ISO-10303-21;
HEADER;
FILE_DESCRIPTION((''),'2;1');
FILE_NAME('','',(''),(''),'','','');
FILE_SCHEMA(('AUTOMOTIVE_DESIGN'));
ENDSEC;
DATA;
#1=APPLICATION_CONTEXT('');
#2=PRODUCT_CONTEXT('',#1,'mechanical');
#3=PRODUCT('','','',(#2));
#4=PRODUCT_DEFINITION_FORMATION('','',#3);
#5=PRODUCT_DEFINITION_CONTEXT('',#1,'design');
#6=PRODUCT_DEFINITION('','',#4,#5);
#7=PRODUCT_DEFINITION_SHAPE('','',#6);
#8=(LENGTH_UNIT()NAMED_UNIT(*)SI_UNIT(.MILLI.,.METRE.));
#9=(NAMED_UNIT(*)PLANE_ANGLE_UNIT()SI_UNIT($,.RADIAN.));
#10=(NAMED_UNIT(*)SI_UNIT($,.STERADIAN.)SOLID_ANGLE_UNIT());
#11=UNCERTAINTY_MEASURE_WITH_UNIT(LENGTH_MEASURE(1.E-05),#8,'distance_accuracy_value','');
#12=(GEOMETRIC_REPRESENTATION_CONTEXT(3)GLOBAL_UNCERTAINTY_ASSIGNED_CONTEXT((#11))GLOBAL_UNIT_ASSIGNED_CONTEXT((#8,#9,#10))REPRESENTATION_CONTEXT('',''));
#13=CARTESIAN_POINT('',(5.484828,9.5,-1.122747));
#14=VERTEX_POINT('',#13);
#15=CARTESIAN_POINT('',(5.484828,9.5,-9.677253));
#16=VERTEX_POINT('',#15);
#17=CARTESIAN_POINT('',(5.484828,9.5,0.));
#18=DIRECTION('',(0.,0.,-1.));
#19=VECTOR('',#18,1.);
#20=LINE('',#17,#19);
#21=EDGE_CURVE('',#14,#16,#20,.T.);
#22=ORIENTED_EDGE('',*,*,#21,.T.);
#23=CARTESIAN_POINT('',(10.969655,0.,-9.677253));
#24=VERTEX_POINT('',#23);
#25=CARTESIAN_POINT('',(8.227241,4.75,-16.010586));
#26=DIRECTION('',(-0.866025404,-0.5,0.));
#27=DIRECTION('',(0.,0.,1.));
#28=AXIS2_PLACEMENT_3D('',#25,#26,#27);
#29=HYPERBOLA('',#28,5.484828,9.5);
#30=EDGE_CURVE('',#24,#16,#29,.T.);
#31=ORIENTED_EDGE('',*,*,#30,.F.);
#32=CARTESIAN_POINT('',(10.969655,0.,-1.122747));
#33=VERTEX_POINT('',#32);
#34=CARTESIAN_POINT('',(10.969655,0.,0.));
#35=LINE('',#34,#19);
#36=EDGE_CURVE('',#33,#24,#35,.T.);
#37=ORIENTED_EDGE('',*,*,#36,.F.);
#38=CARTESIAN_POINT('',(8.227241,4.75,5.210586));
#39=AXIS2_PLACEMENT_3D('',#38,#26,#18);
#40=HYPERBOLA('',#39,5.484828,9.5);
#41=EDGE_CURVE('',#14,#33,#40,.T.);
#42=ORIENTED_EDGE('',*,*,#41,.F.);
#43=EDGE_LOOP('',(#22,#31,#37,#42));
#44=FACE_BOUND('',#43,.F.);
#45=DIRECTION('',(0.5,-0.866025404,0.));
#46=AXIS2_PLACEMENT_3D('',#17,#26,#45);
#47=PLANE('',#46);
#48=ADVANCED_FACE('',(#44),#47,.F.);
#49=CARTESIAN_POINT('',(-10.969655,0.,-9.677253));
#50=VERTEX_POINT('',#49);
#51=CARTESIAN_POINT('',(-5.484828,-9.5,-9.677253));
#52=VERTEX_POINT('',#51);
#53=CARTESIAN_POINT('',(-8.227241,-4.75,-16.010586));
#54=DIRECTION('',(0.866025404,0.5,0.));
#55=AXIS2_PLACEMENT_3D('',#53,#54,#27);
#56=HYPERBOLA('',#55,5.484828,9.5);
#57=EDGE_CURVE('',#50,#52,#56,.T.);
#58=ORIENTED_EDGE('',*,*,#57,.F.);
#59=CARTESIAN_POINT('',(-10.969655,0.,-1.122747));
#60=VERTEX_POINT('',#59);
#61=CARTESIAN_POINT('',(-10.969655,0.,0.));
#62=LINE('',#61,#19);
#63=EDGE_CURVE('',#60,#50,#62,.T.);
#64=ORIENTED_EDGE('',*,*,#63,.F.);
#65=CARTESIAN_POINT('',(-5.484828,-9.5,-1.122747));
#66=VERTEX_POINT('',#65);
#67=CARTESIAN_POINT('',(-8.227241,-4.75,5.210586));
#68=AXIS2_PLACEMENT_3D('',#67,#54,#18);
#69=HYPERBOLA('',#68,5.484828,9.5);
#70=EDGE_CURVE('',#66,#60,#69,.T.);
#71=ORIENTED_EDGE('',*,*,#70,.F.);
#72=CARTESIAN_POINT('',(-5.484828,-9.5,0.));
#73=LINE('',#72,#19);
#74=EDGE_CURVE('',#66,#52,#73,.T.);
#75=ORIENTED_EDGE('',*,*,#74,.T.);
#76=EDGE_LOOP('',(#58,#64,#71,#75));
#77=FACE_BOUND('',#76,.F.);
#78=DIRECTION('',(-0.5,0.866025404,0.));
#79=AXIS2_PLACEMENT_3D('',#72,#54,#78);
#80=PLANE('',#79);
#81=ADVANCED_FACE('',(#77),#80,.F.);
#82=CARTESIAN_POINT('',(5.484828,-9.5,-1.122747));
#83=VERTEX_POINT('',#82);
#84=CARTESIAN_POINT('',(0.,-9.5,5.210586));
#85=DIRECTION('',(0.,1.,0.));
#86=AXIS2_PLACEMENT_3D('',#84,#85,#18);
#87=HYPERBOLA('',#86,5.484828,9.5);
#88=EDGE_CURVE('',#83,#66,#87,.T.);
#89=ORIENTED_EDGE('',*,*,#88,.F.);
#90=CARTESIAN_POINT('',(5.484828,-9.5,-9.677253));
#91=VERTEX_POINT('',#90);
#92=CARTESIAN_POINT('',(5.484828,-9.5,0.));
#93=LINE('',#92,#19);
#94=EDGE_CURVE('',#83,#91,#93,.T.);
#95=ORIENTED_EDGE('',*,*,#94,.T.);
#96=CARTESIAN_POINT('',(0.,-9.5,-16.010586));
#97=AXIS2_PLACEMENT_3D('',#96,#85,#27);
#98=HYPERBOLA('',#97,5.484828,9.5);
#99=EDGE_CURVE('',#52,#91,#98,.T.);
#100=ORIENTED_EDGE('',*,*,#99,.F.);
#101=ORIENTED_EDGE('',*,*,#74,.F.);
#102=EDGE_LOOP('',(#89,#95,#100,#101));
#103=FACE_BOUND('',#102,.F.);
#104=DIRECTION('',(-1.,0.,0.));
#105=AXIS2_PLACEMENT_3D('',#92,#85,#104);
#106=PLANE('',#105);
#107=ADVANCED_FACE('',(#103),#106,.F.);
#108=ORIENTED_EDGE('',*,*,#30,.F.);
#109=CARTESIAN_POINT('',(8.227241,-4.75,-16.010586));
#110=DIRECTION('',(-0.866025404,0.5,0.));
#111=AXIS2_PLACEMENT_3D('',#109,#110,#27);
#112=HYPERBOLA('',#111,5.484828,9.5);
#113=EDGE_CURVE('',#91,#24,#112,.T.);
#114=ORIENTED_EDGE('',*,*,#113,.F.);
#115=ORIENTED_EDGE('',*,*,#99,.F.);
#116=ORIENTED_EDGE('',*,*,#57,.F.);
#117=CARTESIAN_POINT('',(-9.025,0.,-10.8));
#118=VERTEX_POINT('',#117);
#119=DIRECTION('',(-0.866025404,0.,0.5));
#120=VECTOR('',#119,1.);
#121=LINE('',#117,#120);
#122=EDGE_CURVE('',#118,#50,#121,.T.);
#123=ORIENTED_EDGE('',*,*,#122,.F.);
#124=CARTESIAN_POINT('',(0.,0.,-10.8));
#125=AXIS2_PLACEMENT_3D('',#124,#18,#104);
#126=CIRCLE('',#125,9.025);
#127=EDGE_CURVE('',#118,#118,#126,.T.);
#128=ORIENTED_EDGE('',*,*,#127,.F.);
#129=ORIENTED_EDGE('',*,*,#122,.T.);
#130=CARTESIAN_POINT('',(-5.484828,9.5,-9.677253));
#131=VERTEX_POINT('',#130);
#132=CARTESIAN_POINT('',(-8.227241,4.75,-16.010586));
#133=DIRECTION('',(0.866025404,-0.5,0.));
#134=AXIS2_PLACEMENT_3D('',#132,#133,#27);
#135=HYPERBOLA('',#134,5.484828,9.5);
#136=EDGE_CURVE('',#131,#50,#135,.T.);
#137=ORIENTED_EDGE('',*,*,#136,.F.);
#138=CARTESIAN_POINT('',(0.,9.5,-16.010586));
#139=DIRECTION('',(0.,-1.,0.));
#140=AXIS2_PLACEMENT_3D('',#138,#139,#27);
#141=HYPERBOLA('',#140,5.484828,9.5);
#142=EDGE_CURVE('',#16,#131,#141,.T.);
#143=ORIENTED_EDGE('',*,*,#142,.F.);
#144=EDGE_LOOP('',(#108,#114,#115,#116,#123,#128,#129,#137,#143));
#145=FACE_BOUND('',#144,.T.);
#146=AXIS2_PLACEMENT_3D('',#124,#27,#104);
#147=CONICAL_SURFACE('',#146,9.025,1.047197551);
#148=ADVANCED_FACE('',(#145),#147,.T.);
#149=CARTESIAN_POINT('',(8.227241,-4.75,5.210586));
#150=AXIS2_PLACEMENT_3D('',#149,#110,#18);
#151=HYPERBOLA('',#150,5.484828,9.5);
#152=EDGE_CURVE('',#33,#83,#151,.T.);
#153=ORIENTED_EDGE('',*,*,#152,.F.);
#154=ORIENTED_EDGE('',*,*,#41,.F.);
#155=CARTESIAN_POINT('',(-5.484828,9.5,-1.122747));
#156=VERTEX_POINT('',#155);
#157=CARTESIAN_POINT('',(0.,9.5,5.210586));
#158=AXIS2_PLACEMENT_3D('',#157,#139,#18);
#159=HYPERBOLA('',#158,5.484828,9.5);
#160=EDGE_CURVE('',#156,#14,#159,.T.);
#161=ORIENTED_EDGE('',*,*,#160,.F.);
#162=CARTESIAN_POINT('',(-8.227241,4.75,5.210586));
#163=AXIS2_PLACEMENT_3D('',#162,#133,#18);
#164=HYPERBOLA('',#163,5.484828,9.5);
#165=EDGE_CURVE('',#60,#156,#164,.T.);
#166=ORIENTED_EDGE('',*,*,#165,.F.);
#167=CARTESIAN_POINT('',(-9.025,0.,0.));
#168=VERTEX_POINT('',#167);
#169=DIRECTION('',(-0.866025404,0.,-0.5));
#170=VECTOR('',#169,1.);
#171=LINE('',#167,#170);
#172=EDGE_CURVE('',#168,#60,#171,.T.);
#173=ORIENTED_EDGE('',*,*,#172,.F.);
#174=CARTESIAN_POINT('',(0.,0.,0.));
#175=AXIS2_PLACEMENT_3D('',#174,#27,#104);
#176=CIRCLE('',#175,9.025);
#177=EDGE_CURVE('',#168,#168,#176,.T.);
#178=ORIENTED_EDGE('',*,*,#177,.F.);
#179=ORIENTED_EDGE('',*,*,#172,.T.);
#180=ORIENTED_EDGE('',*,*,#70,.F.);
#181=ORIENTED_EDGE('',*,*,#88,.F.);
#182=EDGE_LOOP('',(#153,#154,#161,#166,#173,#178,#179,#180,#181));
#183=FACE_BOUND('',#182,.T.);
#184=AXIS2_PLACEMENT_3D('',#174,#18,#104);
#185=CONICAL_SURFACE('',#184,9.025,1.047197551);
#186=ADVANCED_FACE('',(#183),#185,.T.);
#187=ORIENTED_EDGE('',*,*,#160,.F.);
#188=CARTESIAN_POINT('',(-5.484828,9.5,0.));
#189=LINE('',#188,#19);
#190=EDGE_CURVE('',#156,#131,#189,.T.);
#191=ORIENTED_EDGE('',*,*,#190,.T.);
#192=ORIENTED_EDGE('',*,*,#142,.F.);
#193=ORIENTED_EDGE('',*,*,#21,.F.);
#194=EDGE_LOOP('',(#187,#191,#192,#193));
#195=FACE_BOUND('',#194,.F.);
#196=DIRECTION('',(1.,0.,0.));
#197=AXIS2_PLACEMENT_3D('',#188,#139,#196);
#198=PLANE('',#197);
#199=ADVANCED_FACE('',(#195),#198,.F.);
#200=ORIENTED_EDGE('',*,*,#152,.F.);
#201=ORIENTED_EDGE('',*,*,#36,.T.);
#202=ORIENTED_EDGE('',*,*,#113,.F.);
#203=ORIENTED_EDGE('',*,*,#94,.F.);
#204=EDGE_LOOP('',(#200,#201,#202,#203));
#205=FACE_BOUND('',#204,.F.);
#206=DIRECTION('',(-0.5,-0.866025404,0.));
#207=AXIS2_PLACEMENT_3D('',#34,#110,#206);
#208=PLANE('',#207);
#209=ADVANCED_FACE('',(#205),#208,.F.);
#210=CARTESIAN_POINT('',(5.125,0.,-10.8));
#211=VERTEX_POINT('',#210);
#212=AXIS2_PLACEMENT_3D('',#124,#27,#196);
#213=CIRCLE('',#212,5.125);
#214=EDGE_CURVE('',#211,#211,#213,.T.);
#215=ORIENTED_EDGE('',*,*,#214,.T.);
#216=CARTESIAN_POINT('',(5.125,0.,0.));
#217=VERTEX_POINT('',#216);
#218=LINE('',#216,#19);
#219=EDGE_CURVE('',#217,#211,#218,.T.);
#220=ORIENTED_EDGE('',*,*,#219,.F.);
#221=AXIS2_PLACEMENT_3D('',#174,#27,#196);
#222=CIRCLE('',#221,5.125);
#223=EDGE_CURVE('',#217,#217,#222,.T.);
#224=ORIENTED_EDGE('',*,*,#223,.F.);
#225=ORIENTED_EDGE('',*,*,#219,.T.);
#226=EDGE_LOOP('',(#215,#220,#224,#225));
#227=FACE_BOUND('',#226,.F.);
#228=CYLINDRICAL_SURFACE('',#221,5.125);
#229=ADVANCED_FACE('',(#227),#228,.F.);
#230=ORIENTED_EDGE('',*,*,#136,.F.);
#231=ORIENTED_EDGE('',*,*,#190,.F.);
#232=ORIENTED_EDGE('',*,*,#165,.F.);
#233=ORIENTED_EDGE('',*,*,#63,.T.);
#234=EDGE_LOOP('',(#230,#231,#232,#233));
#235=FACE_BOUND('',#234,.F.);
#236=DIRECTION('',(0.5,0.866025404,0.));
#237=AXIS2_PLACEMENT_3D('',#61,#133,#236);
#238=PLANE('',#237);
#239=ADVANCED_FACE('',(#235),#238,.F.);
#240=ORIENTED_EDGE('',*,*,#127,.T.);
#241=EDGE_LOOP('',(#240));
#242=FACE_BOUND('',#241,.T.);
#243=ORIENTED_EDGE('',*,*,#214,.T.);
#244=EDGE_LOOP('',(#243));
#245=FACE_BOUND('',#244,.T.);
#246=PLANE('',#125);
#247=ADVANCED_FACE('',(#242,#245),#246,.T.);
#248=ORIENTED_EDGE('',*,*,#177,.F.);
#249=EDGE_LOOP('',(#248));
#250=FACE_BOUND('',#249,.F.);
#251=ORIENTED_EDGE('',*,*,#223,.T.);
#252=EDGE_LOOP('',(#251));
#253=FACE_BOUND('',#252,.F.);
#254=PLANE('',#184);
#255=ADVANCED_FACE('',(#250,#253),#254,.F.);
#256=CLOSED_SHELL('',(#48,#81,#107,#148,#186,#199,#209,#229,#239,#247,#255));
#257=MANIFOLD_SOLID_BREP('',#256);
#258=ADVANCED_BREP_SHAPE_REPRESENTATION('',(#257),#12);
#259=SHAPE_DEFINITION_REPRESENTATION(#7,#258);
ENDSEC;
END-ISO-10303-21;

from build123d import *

# Parameters (mm, degrees)
BASENUTSKE_R            = 5.125
BASENUT_DEPTH           = 10.8
SKETCH6_OUTSIDE_W       = 96.26
SKETCH6_OUTSIDE_H       = 93.32
SKETCH6_OUTSIDE_R       = 9.025
CUT_EXTRUDE2_DEPTH      = 19.089315447
CUT_EXTRUDE2_DRAFT      = -60
MIRROR1_COPY_1_SKETCH_W = 96.26
MIRROR1_COPY_1_SKETCH_H = 93.32
MIRROR1_COPY_1_SKETCH_R = 9.025
MIRROR1_COPY_1_DEPTH    = 19.089315447
MIRROR1_COPY_1_DRAFT    = -60


with BuildPart() as part:
    # BaseNutSke → BaseNut (new body)
    with BuildSketch(Plane.XY):
        Polygon((5.484827557, -9.5), (-5.484827557, -9.5), (-10.969655115, 0), (-5.484827557, 9.5), (5.484827557, 9.5), (10.969655115, 0), align=None)
        Circle(BASENUTSKE_R, mode=Mode.SUBTRACT)
    extrude(amount=-BASENUT_DEPTH)


with BuildPart() as cut_extrude2_tool:
    # Sketch6 outside → Cut-Extrude2 (with draft: the straight prism first)
    with BuildSketch(Plane(origin=(0, 0, -10.8), x_dir=(-1, 0, 0), z_dir=(0, 0, -1))):
        Rectangle(SKETCH6_OUTSIDE_W, SKETCH6_OUTSIDE_H)
        Circle(SKETCH6_OUTSIDE_R, mode=Mode.SUBTRACT)
    extrude(amount=-CUT_EXTRUDE2_DEPTH)
    # Cut-Extrude2: the draft: its side faces are tilted about the plane it starts from
    cut_extrude2_sides = [cut_extrude2_tool.faces().sort_by_distance(p)[0] for p in [
        (0, -46.66, -1.255342277),
        (-48.13, 0, -1.255342277),
        (0, 46.66, -1.255342277),
        (48.13, 0, -1.255342277),
        (9.025, 0, -1.255342277),
    ]]
    draft(cut_extrude2_sides, Plane(origin=(0, 0, -10.8), x_dir=(-1, 0, 0), z_dir=(0, 0, -1)), CUT_EXTRUDE2_DRAFT)


with BuildPart() as part_1:
    add(part.part)

    # Cut-Extrude2: cut by cut_extrude2_tool
    add(cut_extrude2_tool.part, mode=Mode.SUBTRACT)


with BuildPart() as mirror1_copy_1_tool:
    # Mirror1 copy 1 sketch → Mirror1 copy 1 (with draft: the straight prism first)
    with BuildSketch(Plane(origin=(0, 0, 0), x_dir=(-1, 0, 0), z_dir=(0, 0, 1))):
        Rectangle(MIRROR1_COPY_1_SKETCH_W, MIRROR1_COPY_1_SKETCH_H)
        Circle(MIRROR1_COPY_1_SKETCH_R, mode=Mode.SUBTRACT)
    extrude(amount=-MIRROR1_COPY_1_DEPTH)
    # Mirror1 copy 1: the draft: its side faces are tilted about the plane it starts from
    mirror1_copy_1_sides = [mirror1_copy_1_tool.faces().sort_by_distance(p)[0] for p in [
        (0, -46.66, -9.544657723),
        (-48.13, 0, -9.544657723),
        (0, 46.66, -9.544657723),
        (48.13, 0, -9.544657723),
        (9.025, 0, -9.544657723),
    ]]
    draft(mirror1_copy_1_sides, Plane(origin=(0, 0, 0), x_dir=(-1, 0, 0), z_dir=(0, 0, 1)), MIRROR1_COPY_1_DRAFT)


with BuildPart() as part_2:
    add(part_1.part)

    # Mirror1 copy 1: cut by mirror1_copy_1_tool
    add(mirror1_copy_1_tool.part, mode=Mode.SUBTRACT)


solid = part_2.part
